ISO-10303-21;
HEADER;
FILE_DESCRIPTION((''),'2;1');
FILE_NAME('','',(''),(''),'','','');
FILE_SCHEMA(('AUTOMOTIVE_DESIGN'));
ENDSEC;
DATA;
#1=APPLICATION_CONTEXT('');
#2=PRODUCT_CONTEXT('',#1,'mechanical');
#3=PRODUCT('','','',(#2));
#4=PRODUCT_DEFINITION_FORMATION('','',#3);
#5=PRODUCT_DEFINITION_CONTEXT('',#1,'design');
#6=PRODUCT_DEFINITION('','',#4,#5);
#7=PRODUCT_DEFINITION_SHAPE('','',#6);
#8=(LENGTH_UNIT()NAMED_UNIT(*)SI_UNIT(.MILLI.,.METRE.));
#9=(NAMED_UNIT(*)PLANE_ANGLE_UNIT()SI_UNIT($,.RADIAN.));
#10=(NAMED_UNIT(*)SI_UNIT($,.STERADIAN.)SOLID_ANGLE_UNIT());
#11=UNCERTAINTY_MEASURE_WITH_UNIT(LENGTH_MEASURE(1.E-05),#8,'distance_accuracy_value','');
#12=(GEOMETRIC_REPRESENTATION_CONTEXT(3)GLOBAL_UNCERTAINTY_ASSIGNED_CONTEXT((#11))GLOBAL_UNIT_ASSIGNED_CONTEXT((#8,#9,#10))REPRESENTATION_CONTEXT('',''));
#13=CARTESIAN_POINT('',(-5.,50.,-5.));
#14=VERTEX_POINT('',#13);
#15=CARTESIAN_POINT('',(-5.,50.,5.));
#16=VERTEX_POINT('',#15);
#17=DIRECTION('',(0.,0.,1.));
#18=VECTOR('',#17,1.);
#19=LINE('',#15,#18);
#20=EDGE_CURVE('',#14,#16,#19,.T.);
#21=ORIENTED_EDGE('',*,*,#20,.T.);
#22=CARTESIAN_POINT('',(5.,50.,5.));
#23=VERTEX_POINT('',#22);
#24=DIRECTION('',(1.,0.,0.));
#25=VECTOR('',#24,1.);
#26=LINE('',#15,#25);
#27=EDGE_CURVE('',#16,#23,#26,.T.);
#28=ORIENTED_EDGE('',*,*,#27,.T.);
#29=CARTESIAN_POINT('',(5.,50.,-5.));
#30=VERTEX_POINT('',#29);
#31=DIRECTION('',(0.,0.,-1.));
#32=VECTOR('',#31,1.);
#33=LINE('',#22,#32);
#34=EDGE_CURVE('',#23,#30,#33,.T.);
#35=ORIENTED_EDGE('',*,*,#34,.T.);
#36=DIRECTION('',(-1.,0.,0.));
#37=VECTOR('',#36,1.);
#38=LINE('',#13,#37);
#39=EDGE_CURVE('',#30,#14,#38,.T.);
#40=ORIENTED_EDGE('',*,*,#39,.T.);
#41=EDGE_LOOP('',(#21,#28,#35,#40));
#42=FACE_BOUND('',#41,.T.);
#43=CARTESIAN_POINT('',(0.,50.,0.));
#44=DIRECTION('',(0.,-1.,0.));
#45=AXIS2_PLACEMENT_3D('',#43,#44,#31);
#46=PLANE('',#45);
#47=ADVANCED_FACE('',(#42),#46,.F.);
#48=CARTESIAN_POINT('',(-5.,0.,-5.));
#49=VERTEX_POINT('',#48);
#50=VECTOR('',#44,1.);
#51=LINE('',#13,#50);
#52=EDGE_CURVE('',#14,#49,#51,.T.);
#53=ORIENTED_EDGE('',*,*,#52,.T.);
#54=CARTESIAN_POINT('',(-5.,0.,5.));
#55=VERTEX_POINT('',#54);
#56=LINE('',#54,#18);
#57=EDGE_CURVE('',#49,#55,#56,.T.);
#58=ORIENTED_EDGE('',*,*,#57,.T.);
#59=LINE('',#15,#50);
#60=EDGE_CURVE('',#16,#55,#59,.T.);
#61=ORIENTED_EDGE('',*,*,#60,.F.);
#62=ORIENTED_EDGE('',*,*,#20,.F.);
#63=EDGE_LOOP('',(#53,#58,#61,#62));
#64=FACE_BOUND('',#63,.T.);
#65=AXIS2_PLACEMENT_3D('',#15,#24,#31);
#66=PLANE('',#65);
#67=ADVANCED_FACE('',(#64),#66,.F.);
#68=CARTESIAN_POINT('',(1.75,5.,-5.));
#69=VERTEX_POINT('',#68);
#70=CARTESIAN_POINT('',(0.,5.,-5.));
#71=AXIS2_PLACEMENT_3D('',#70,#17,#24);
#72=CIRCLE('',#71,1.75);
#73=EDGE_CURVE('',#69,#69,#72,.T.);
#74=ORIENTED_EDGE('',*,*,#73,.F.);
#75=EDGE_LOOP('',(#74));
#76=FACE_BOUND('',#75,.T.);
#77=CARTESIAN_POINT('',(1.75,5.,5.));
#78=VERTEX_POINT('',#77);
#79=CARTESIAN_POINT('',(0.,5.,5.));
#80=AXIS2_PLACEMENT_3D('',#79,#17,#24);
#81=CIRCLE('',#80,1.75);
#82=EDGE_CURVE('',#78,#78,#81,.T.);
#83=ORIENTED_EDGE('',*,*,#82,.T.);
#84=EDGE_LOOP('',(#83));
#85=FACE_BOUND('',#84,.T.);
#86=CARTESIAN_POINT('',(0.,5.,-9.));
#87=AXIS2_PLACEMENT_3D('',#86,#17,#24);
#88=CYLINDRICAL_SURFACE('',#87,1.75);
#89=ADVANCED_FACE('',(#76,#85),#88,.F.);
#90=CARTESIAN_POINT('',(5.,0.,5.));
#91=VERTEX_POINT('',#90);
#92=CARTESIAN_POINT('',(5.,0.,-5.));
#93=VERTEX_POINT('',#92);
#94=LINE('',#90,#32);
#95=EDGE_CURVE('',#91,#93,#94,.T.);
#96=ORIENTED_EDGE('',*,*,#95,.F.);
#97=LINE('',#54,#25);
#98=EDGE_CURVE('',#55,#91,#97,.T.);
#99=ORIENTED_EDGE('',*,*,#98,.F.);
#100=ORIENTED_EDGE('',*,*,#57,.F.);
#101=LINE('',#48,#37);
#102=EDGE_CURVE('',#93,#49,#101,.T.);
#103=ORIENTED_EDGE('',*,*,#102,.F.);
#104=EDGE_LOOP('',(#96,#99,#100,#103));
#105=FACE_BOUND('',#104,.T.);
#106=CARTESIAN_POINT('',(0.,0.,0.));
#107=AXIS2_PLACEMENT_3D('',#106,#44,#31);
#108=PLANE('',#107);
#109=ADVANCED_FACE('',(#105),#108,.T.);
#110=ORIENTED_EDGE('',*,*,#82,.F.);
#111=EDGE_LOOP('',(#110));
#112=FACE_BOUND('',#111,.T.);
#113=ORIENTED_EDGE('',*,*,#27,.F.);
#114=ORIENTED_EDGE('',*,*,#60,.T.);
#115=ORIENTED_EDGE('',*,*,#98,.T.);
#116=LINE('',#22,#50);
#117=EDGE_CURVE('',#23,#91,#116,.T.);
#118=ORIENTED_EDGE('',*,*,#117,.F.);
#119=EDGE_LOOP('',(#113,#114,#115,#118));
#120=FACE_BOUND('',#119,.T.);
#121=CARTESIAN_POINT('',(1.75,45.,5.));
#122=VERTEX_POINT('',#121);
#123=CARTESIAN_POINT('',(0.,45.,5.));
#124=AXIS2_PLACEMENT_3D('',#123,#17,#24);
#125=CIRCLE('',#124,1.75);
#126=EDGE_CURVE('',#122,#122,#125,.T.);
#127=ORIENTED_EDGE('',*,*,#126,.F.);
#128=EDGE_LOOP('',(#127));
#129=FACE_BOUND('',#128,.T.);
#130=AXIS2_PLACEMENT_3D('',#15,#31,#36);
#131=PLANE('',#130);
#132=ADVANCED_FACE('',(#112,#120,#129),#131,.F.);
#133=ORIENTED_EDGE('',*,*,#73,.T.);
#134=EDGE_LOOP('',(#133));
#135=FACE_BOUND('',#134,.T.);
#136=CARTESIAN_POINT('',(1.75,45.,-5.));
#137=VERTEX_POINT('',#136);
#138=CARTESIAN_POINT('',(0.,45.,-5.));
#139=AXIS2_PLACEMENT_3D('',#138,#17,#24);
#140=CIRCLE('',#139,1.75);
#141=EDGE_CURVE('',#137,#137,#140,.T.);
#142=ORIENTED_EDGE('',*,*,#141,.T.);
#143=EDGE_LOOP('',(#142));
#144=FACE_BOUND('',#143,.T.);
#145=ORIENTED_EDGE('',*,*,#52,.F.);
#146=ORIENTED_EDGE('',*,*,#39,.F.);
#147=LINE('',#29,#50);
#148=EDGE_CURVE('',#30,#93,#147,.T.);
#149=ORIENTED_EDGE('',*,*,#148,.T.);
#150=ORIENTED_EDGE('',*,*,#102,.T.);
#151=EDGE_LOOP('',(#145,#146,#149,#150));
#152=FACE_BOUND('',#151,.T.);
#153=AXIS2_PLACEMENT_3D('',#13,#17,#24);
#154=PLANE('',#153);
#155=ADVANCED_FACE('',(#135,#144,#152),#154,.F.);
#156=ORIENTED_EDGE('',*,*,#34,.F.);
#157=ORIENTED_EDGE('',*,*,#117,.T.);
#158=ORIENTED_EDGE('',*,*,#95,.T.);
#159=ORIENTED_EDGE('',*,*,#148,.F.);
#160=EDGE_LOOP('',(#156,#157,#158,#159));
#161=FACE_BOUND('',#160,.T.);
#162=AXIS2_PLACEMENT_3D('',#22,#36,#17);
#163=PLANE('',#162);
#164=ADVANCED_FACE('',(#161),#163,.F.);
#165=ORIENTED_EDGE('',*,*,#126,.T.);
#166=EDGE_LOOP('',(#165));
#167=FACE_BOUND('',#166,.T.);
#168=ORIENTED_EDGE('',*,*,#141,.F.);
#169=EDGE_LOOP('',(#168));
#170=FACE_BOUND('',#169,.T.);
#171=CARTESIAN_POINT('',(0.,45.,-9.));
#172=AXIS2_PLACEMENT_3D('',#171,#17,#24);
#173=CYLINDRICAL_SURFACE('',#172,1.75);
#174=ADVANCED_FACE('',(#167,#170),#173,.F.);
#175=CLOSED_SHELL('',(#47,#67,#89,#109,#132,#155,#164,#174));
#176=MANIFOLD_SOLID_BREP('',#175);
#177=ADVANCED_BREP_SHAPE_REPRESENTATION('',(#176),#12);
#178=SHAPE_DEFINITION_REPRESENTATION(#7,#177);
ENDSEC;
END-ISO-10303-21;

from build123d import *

# Parameters (mm, degrees)
SKETCH1_W           = 10
SKETCH1_H           = 10
BOSS_EXTRUDE1_DEPTH = 50
SKETCH2_R           = 1.75
CUT_EXTRUDE1_DEPTH  = 14


with BuildPart() as part:
    # Sketch1 → Boss-Extrude1 (new body)
    with BuildSketch(Plane(origin=(0, 0, 0), x_dir=(1, 0, 0), z_dir=(0, 1, 0))):
        Rectangle(SKETCH1_W, SKETCH1_H)
    extrude(amount=BOSS_EXTRUDE1_DEPTH)

    # Sketch2 → Cut-Extrude1 (cut)
    with BuildSketch(Plane.XY.offset(5)):
        with Locations((0, 5)):
            Circle(SKETCH2_R)
        with Locations((0, 45)):
            Circle(SKETCH2_R)
    extrude(amount=-CUT_EXTRUDE1_DEPTH, mode=Mode.SUBTRACT)


solid = part.part
